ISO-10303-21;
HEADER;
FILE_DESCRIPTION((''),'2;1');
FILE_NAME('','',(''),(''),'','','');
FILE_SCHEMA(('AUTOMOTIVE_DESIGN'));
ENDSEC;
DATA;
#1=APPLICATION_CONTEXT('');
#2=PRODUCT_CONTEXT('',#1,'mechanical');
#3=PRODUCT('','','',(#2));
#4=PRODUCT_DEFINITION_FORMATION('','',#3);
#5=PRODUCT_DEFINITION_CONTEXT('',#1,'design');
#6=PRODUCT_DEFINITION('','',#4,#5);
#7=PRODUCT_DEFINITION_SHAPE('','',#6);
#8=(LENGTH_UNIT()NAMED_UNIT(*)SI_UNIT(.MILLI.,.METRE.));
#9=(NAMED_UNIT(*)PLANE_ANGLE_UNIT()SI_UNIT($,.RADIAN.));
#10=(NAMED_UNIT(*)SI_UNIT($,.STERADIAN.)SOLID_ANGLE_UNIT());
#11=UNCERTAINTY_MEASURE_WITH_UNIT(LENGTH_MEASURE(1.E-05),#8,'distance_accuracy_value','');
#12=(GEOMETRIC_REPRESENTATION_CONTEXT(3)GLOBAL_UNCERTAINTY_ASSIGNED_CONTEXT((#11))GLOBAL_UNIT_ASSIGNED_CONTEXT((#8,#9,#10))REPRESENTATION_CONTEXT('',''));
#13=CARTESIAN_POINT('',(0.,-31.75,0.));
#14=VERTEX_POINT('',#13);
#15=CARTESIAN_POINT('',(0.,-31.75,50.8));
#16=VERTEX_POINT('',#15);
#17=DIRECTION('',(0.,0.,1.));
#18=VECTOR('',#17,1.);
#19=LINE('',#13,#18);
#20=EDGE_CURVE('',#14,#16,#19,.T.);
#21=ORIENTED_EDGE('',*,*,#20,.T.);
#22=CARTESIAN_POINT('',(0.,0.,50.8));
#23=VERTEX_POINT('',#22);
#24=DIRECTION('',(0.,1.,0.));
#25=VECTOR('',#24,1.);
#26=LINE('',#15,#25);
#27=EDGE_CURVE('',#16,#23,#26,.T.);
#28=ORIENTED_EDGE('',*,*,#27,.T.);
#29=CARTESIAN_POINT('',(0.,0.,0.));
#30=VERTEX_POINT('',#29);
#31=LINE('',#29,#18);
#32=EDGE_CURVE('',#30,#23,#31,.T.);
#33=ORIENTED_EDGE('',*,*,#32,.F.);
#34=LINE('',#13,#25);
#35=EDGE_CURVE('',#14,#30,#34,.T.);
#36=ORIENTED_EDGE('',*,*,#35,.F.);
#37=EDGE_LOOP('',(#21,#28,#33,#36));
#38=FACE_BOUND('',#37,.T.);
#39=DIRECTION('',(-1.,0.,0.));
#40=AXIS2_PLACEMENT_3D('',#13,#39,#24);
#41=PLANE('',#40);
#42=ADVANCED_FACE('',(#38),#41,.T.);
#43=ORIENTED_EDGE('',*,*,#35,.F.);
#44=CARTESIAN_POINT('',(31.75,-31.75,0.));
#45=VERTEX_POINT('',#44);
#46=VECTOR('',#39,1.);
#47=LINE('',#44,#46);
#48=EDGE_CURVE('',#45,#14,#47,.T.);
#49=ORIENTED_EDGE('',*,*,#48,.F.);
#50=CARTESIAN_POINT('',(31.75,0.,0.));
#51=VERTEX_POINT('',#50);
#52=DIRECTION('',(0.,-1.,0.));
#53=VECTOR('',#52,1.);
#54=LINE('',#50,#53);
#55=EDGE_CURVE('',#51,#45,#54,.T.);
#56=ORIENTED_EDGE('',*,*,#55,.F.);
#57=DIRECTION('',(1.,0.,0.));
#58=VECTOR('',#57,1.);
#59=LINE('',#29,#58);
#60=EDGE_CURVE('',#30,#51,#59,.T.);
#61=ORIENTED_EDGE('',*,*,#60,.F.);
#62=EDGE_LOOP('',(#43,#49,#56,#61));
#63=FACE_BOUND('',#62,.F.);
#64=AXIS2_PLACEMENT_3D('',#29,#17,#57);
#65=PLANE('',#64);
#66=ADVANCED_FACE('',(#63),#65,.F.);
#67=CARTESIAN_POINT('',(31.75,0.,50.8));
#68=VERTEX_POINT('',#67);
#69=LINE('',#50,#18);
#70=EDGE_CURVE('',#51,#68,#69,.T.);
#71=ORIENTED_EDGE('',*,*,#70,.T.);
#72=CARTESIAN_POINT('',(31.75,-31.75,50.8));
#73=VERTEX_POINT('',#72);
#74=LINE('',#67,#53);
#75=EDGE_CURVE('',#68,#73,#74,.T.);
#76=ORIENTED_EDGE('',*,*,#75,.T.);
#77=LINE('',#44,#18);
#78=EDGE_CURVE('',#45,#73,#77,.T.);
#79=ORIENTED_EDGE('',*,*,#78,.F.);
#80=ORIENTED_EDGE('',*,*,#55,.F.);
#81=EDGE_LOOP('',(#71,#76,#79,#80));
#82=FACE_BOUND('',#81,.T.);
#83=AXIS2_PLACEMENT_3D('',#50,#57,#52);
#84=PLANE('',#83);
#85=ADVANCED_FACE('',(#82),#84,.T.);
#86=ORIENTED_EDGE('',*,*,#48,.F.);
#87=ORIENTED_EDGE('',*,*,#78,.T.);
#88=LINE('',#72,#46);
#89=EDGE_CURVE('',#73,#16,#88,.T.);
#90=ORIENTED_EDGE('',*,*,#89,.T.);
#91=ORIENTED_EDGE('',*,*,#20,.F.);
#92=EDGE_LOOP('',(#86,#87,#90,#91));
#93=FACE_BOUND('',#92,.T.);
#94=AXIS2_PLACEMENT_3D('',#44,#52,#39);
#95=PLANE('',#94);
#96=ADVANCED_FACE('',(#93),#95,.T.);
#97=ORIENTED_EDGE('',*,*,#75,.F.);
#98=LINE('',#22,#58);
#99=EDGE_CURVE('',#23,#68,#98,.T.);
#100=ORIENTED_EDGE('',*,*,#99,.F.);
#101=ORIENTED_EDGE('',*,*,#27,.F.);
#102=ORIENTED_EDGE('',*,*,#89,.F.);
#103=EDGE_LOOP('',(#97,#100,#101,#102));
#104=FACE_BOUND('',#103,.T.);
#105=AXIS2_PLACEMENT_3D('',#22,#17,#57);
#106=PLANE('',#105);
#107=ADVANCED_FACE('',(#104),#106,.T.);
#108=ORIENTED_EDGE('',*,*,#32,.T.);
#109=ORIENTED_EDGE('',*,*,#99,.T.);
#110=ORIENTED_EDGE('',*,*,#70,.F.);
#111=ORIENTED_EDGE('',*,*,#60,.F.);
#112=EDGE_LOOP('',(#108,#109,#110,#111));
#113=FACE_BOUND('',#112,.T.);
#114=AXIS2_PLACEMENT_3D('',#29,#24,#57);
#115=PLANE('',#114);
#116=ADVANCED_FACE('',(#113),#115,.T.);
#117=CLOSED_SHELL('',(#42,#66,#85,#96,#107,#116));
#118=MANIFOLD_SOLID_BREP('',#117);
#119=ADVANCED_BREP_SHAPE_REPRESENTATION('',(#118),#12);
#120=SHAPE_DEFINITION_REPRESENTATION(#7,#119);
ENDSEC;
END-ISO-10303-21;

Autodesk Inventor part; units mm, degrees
ref_plane "YZ Plane" through (0, 0, 0) normal (1, 0, 0) x (0, 1, 0)
ref_plane "XZ Plane" through (0, 0, 0) normal (0, 1, 0) x (-1, 0, 0)
ref_plane "XY Plane" through (0, 0, 0) normal (0, 0, 1) x (1, 0, 0)
sketch "Sketch1" plane through (0, 0, 0) normal (0, 0, 1) x (1, 0, 0)
  line L0 (0, 0) -> (31.75, 0)
  line L1 (31.75, 0) -> (31.75, -31.75)
  line L2 (31.75, -31.75) -> (0, -31.75)
  line L3 (0, -31.75) -> (0, 0)
  dimension "d0" = 31.75
  dimension "d1" = 31.75
extrude "Extrusion1" add sketch "Sketch1" along normal blind 50.8
